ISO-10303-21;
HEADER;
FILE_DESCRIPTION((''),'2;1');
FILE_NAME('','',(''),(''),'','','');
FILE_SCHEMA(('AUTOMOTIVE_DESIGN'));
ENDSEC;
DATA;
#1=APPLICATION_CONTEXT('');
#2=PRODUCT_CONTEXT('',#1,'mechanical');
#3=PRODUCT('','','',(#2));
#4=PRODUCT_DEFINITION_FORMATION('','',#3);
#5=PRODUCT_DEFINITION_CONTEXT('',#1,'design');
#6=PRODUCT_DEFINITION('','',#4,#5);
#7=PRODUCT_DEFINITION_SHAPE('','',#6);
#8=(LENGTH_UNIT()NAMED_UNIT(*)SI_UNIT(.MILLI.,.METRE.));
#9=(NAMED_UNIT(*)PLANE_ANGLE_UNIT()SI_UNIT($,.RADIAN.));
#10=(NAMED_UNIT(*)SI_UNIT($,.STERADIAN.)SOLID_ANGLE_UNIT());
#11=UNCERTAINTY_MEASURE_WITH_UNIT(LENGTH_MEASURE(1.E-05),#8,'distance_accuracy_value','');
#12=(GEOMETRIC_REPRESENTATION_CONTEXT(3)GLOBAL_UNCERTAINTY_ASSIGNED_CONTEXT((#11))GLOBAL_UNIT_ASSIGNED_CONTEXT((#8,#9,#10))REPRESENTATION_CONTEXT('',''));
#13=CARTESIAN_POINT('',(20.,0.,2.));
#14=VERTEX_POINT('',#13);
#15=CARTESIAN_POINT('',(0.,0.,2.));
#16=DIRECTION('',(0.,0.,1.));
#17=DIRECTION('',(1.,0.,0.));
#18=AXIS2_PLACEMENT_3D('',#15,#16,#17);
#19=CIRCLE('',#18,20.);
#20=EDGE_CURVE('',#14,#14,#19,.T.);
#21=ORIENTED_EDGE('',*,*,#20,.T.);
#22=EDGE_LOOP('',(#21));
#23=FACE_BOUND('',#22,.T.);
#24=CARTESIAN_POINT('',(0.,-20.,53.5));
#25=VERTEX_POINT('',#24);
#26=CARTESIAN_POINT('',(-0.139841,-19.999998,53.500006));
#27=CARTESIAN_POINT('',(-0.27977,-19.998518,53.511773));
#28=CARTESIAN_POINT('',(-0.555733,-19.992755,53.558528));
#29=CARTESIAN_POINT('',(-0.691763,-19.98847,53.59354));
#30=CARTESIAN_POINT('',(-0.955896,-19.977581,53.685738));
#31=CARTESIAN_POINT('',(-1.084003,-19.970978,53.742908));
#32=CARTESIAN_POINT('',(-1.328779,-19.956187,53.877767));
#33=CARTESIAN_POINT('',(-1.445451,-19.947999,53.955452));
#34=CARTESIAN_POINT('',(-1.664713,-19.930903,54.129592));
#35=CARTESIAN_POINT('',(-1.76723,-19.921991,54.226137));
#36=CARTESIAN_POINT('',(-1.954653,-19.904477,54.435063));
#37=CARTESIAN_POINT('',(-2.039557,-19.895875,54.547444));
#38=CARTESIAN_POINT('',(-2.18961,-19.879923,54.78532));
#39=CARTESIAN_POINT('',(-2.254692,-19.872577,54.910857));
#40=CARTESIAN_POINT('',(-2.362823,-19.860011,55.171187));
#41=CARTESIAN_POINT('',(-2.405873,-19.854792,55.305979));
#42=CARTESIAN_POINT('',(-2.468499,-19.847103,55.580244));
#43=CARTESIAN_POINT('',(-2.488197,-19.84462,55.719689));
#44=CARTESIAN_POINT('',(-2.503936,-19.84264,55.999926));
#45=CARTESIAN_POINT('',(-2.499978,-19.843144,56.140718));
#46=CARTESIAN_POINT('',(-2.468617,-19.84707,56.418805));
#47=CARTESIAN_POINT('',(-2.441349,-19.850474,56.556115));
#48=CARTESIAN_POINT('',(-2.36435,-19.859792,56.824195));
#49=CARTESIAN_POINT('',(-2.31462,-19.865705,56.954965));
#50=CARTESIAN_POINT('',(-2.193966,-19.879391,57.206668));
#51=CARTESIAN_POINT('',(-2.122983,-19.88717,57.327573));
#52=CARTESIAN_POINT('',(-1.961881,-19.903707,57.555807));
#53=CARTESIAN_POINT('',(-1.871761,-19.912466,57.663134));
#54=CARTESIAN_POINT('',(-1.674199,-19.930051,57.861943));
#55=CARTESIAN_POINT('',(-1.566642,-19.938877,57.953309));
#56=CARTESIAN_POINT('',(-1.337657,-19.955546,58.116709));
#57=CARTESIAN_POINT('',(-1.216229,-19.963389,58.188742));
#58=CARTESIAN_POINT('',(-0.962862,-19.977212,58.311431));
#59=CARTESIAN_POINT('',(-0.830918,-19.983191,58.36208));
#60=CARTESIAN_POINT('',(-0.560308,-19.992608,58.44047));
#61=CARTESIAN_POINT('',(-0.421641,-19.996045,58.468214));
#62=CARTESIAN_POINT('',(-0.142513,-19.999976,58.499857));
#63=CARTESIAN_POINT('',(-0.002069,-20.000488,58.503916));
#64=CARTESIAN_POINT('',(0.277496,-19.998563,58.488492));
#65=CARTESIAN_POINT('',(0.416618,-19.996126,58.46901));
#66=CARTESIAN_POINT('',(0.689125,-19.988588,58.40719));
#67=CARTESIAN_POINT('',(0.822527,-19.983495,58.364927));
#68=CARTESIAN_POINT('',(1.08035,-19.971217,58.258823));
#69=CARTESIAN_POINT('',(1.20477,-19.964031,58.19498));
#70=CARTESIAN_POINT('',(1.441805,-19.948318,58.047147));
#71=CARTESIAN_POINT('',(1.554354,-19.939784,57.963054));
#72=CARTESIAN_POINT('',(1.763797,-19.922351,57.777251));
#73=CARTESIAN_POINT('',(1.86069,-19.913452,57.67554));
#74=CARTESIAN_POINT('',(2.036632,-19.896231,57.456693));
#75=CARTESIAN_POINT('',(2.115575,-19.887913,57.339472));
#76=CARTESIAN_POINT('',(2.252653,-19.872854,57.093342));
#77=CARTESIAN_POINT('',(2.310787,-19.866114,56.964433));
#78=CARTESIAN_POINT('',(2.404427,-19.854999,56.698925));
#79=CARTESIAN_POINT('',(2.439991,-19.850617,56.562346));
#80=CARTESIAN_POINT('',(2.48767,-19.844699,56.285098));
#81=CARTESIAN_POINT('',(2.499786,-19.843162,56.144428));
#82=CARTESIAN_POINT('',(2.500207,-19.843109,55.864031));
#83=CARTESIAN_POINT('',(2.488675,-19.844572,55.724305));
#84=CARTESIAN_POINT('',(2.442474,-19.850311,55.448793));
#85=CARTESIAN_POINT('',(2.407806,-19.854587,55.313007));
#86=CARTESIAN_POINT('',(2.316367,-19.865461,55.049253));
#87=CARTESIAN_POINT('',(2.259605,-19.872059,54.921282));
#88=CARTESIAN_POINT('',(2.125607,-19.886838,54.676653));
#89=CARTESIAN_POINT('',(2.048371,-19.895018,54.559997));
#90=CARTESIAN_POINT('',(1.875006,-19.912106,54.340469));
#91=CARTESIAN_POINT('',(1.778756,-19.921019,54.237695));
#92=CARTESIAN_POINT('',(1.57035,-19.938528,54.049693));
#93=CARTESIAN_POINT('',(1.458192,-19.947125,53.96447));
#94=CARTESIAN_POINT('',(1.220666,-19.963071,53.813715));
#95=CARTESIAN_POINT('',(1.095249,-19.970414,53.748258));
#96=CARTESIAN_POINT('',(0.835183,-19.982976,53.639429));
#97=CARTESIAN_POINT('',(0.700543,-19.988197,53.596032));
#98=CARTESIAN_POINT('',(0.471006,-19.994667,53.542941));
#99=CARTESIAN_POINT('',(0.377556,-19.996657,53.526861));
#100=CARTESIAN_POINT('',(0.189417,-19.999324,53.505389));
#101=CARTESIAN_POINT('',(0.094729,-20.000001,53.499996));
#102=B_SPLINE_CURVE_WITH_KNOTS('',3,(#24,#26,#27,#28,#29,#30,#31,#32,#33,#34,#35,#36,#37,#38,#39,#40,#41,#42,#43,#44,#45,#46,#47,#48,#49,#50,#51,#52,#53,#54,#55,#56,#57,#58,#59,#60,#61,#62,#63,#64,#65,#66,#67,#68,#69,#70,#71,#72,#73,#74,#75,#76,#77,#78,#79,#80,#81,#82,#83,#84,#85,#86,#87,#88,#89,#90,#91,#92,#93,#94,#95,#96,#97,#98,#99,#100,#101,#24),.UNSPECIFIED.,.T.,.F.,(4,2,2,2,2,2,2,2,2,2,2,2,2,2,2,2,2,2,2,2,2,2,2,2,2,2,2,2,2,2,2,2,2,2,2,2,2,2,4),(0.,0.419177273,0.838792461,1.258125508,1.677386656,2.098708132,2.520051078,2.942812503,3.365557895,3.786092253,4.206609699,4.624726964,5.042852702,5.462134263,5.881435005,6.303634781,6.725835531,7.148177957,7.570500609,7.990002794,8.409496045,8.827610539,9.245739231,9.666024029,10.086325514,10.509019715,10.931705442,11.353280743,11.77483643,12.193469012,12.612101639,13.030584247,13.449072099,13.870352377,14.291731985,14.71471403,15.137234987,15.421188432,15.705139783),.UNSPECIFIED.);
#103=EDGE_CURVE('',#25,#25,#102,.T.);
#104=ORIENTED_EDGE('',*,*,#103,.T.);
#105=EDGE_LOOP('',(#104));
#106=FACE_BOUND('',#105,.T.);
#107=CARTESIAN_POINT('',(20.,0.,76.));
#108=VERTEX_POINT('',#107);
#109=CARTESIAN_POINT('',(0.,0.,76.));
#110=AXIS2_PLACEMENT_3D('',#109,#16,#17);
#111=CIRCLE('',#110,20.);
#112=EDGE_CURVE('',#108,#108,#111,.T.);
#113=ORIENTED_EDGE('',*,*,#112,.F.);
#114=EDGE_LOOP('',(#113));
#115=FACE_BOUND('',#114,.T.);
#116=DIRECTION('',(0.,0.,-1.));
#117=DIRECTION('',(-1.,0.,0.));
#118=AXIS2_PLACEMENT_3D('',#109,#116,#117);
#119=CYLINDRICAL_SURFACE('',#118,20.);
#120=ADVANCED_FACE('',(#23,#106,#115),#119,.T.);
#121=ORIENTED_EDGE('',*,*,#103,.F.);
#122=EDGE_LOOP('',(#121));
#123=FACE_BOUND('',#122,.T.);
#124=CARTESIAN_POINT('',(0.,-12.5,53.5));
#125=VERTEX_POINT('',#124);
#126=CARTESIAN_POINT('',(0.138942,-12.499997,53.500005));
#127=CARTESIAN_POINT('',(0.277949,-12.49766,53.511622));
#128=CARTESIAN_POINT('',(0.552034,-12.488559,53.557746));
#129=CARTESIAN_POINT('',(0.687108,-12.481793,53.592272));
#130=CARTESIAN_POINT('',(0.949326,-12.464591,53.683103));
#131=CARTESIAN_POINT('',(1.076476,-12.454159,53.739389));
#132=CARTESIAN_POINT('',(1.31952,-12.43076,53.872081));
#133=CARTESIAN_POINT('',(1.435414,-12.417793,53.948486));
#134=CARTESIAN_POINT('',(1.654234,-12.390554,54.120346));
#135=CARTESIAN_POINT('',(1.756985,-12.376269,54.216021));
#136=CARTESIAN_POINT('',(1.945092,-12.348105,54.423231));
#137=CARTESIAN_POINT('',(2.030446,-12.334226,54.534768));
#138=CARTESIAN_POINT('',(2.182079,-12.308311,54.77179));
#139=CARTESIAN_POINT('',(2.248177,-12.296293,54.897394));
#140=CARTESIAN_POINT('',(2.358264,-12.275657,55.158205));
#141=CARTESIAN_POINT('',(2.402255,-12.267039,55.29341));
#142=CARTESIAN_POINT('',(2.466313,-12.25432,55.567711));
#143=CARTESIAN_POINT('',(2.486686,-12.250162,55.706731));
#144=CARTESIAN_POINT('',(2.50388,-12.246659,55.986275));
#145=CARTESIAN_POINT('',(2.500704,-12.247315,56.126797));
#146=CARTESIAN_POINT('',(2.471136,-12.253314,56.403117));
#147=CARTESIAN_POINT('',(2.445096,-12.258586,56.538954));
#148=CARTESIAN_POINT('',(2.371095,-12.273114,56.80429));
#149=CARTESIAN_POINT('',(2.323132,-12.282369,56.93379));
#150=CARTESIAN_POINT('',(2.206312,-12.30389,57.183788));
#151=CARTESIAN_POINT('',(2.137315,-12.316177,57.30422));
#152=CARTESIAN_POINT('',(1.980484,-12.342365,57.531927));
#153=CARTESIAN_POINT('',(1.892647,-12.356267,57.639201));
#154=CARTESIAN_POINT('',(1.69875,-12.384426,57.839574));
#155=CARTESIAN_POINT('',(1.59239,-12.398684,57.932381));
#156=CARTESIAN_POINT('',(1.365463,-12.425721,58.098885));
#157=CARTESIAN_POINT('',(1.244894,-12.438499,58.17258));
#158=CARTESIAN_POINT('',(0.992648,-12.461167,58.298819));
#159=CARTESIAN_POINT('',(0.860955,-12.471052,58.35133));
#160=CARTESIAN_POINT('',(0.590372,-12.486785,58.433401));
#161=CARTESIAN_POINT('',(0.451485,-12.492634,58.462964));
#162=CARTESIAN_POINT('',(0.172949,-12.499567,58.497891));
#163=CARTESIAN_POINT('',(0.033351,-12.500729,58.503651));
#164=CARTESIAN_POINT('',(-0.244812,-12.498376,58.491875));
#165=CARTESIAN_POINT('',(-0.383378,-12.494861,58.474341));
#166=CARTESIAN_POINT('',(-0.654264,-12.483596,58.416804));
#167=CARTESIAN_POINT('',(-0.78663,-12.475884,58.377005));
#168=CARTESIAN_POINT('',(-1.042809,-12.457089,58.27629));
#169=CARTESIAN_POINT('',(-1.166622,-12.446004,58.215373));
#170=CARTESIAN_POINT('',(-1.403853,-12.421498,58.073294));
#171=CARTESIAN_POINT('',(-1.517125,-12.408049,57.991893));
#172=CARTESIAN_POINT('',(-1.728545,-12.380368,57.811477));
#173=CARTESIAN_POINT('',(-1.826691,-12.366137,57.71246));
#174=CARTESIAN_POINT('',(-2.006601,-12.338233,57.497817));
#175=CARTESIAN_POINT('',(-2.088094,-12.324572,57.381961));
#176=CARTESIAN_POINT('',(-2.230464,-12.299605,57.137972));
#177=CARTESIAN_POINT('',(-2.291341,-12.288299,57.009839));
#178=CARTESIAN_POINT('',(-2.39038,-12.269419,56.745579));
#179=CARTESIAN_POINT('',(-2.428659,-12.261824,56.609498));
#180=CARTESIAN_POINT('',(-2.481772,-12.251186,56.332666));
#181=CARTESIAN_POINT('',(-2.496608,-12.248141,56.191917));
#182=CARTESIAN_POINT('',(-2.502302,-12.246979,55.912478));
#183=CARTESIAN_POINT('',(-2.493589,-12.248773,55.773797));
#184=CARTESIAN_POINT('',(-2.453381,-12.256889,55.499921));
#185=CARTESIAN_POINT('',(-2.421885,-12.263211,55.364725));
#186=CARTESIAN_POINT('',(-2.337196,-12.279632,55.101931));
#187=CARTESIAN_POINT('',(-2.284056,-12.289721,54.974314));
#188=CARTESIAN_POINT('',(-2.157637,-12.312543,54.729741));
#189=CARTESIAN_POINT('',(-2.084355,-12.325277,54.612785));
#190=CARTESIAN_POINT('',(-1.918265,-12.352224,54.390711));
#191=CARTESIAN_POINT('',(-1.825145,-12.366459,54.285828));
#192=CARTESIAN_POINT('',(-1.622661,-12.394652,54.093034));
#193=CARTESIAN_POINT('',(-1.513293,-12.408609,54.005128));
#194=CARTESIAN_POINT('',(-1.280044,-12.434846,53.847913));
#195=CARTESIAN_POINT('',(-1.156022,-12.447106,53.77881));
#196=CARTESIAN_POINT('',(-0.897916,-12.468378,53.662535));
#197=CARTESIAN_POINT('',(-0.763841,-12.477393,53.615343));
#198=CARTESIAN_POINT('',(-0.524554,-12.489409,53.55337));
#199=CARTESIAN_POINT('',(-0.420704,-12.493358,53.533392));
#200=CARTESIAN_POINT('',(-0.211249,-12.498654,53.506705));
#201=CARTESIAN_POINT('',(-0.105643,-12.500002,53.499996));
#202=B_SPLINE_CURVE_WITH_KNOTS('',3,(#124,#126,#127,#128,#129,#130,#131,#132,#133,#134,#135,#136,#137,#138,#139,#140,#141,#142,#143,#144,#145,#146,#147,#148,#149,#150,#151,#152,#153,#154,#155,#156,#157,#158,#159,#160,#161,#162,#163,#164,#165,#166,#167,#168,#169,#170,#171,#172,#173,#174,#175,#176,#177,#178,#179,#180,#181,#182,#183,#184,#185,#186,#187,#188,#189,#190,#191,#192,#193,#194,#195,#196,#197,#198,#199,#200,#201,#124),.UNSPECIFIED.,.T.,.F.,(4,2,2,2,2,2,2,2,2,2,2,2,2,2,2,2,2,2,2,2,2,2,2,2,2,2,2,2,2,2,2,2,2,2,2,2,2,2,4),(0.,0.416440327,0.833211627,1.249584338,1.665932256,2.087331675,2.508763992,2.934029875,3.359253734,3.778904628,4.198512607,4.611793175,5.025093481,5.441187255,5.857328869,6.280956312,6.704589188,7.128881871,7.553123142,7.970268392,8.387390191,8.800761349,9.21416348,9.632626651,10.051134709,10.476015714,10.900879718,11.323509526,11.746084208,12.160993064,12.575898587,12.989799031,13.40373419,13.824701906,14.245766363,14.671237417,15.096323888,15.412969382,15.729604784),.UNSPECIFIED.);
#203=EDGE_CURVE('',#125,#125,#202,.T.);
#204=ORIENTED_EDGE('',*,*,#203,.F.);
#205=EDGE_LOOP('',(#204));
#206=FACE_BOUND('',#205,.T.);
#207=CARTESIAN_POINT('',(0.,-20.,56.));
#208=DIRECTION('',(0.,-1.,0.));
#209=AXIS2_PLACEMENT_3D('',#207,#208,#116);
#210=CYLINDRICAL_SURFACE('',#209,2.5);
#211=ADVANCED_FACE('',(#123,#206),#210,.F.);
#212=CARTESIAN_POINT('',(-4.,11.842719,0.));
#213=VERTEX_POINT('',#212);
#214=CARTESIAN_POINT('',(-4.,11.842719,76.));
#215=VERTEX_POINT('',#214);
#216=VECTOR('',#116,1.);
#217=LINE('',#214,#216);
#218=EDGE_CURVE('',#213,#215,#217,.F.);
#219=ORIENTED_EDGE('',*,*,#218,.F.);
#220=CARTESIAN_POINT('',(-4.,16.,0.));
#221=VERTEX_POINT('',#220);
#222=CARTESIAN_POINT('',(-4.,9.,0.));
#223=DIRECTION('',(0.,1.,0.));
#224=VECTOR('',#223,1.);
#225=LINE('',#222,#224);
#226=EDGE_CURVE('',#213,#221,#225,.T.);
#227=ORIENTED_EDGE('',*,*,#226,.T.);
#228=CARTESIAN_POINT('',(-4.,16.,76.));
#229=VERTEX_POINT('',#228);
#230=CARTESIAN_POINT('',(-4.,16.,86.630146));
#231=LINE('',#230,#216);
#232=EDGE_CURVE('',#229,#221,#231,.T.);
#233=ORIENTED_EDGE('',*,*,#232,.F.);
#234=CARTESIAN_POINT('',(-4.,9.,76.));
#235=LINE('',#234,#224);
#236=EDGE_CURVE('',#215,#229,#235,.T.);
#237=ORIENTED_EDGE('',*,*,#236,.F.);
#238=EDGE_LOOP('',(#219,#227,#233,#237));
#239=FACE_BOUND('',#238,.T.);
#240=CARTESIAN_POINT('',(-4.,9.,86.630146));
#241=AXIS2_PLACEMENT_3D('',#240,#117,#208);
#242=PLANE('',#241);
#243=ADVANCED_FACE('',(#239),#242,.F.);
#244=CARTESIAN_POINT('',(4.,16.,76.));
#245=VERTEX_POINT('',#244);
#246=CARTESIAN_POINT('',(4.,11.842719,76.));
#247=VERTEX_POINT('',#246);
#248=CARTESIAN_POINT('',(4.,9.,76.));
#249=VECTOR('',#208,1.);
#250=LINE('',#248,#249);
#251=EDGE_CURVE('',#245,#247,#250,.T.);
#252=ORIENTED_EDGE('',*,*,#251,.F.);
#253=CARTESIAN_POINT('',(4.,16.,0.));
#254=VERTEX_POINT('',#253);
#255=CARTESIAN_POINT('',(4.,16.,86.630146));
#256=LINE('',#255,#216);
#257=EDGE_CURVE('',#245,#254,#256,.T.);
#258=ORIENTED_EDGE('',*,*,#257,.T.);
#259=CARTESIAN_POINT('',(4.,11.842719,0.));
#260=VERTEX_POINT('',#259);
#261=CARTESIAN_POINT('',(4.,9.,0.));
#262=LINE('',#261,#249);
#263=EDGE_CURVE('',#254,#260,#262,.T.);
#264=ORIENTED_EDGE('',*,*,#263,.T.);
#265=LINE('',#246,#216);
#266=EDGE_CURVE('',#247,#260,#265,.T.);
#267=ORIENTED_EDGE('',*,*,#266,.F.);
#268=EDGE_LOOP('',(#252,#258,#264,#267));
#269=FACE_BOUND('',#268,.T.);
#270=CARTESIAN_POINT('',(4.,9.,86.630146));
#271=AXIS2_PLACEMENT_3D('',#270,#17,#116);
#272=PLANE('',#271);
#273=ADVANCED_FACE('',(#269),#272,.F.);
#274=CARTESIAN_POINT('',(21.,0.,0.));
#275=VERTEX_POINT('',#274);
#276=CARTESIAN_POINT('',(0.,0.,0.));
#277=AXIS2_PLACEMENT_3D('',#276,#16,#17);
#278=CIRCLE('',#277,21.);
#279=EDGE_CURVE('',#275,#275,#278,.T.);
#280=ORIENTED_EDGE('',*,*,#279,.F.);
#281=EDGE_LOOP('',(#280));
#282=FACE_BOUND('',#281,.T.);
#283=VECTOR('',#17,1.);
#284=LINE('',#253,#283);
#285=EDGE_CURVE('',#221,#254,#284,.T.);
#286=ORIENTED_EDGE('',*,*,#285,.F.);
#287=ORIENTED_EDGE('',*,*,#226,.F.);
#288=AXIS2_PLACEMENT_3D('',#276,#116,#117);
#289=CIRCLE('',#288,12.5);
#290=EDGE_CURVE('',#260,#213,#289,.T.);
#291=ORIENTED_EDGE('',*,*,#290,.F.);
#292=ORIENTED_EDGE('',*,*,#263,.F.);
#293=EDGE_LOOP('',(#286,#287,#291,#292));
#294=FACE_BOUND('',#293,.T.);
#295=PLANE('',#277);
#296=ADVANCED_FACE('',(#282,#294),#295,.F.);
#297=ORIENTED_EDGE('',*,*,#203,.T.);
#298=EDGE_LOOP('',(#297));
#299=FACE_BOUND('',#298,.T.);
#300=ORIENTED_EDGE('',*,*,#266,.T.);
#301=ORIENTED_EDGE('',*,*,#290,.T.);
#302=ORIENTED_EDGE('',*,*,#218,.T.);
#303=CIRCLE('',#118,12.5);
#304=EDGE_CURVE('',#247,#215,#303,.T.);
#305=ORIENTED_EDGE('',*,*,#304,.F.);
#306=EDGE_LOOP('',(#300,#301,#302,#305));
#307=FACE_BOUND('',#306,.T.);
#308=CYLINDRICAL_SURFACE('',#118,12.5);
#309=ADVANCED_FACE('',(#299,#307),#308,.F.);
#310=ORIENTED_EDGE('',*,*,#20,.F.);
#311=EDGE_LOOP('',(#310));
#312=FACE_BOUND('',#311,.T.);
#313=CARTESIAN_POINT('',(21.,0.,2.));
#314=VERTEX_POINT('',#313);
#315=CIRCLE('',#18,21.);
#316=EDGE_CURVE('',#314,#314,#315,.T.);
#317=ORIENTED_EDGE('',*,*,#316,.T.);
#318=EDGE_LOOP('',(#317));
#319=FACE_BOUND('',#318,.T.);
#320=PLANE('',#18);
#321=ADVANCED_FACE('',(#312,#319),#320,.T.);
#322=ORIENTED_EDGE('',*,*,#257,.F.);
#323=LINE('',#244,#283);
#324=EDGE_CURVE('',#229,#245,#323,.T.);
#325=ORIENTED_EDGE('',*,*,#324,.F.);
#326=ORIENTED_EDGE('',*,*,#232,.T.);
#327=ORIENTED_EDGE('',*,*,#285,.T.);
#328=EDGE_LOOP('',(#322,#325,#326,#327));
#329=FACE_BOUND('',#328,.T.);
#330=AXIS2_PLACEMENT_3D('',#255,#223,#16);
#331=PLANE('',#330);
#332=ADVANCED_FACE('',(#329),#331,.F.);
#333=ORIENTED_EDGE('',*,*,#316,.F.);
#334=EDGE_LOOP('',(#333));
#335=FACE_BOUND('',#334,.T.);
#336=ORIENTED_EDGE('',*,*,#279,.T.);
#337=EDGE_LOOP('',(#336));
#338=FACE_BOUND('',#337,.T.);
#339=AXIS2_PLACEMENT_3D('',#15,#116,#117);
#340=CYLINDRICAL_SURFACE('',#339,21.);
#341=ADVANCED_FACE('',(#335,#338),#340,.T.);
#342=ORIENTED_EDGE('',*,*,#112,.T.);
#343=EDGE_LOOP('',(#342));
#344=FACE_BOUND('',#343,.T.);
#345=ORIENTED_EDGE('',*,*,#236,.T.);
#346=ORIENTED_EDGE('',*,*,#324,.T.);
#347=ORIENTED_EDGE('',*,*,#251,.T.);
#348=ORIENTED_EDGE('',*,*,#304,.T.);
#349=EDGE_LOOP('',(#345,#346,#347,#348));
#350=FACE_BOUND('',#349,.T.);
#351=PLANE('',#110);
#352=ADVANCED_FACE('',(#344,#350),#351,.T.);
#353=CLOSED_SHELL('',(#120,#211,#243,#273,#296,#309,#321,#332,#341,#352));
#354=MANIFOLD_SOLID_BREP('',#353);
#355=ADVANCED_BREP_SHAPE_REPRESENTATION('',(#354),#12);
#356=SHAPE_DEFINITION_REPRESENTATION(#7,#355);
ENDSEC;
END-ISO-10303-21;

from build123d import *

# Parameters (mm, degrees)
SKETCH1_R                 = 21
BOSS_EXTRUDE1_DEPTH       = 2
SKETCH2_R                 = 20
BOSS_EXTRUDE2_DEPTH       = 74
SKETCH3_R                 = 12.5
CUT_EXTRUDE1_DEPTH        = 77
SKETCH4_W                 = 8
SKETCH4_H                 = 7
CUT_EXTRUDE2_DEPTH        = 76
M6X1_0_TAPPED_HOLE1_D     = 5
M6X1_0_TAPPED_HOLE1_DEPTH = 8.497848452
M6X1_0_TAPPED_HOLE1_TIP   = 1.502151548


with BuildPart() as part:
    # Sketch1 → Boss-Extrude1 (new body)
    with BuildSketch(Plane.XY):
        Circle(SKETCH1_R)
    extrude(amount=BOSS_EXTRUDE1_DEPTH)

    # Sketch2 → Boss-Extrude2 (add)
    with BuildSketch(Plane.XY.offset(2)):
        Circle(SKETCH2_R)
    extrude(amount=BOSS_EXTRUDE2_DEPTH)

    # Sketch3 → Cut-Extrude1 (cut, through all)
    with BuildSketch(Plane(origin=(0, 0, 0), x_dir=(-1, 0, 0), z_dir=(0, 0, -1))):
        Circle(SKETCH3_R)
    extrude(amount=-CUT_EXTRUDE1_DEPTH, mode=Mode.SUBTRACT)

    # Sketch4 → Cut-Extrude2 (cut)
    with BuildSketch(Plane(origin=(0, 0, 0), x_dir=(-1, 0, 0), z_dir=(0, 0, -1))):
        with Locations((0, 12.5)):
            Rectangle(SKETCH4_W, SKETCH4_H)
    extrude(amount=-CUT_EXTRUDE2_DEPTH, mode=Mode.SUBTRACT)

    # M6x1.0 Tapped Hole1
    with Locations(Plane(origin=(0, -20, 0), x_dir=(-1, 0, 0), z_dir=(0, -1, 0))):
        with Locations((0, -56)):
            Hole(M6X1_0_TAPPED_HOLE1_D / 2, depth=M6X1_0_TAPPED_HOLE1_DEPTH)
            with Locations((0, 0, -(M6X1_0_TAPPED_HOLE1_DEPTH + M6X1_0_TAPPED_HOLE1_TIP / 2))):  # 118° drill point
                Cone(0, M6X1_0_TAPPED_HOLE1_D / 2, M6X1_0_TAPPED_HOLE1_TIP, mode=Mode.SUBTRACT)


solid = part.part
